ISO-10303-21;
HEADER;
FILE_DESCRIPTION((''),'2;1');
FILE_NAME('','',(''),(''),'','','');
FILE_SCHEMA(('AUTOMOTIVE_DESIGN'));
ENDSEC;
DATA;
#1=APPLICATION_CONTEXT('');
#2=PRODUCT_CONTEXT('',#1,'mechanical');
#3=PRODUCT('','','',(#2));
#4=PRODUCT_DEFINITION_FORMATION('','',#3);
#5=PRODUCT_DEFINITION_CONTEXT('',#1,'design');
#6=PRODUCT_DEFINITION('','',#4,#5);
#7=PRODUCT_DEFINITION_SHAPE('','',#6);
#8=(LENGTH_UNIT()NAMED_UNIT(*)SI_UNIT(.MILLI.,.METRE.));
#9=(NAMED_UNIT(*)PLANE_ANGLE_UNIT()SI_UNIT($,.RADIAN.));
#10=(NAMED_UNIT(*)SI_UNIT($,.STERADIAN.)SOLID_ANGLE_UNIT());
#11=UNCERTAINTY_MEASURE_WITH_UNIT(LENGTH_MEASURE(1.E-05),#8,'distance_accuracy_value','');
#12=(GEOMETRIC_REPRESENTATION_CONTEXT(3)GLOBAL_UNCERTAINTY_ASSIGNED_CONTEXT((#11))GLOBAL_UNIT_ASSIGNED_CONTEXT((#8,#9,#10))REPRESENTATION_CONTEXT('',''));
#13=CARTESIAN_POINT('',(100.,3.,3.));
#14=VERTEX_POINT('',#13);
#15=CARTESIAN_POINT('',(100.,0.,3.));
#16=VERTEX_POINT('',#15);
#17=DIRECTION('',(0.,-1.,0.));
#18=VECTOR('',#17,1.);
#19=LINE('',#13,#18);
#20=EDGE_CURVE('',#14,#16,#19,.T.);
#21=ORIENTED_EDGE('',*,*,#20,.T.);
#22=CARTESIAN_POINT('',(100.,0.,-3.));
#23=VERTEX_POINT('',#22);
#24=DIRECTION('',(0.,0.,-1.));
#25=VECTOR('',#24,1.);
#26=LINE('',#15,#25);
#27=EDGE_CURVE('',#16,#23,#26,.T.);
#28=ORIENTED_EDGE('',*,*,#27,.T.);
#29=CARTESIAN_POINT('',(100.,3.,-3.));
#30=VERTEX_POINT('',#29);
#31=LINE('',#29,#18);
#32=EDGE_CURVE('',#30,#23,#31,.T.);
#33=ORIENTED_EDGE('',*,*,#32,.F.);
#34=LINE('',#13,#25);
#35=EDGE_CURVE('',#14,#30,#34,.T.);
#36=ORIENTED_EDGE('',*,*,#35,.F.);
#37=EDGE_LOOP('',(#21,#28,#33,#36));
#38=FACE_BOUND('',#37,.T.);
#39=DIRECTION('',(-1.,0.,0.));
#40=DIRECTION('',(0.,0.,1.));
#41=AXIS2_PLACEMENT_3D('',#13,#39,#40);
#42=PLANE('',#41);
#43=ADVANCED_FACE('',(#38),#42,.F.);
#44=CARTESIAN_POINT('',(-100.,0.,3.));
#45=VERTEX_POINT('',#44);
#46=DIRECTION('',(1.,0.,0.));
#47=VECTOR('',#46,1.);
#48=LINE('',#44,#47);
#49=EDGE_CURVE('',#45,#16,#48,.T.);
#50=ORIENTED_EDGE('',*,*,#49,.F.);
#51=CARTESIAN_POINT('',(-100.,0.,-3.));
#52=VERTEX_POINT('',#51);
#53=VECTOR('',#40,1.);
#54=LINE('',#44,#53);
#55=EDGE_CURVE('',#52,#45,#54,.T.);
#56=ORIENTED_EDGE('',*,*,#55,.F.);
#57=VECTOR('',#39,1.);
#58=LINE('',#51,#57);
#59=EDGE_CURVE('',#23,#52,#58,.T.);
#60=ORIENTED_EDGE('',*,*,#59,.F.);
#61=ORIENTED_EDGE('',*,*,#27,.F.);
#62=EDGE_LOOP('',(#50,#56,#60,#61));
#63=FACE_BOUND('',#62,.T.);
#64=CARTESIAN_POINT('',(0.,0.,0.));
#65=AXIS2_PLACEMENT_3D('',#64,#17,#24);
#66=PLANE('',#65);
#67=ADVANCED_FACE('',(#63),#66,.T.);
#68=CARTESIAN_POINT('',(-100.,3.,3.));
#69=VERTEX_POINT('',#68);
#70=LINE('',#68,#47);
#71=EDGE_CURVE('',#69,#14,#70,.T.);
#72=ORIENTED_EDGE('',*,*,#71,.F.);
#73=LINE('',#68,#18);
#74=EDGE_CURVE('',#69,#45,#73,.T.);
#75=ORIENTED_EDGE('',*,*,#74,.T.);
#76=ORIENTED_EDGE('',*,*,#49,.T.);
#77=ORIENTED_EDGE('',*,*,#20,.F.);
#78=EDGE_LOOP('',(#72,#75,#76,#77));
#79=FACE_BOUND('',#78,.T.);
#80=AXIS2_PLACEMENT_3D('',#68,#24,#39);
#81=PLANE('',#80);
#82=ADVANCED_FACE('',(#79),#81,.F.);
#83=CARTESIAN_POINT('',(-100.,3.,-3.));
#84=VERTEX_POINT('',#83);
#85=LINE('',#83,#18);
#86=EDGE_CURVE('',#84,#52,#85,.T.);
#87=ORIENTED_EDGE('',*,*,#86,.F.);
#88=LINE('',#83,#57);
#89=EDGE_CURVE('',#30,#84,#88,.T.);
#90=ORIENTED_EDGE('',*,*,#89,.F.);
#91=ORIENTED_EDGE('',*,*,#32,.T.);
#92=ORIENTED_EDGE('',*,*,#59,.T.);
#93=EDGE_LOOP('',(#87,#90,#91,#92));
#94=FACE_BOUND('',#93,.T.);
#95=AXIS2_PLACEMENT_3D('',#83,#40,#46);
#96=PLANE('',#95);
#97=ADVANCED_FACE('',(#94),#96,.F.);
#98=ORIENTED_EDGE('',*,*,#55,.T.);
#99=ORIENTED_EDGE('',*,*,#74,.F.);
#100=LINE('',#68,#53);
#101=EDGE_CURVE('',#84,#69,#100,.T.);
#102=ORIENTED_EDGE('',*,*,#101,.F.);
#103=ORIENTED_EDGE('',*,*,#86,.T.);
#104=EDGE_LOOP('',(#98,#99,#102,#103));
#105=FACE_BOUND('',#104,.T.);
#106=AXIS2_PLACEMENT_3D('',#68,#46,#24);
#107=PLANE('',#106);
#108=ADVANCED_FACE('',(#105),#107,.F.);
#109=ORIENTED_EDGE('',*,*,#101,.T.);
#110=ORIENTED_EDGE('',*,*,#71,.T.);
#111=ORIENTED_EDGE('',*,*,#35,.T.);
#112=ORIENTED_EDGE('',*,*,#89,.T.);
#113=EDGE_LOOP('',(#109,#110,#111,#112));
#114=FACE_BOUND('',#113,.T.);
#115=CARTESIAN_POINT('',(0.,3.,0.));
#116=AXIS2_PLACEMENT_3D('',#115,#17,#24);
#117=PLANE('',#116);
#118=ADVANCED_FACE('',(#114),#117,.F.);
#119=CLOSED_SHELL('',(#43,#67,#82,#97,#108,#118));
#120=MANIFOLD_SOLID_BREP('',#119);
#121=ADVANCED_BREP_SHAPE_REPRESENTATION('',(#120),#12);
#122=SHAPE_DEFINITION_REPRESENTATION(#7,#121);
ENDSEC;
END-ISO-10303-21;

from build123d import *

# Parameters (mm, degrees)
SKETCH_1_W      = 200
SKETCH_1_H      = 6
EXTRUDE_1_DEPTH = 3


with BuildPart() as part:
    # 草图1 → 凸台-拉伸1 (new body)
    with BuildSketch(Plane(origin=(0, 0, 0), x_dir=(1, 0, 0), z_dir=(0, 1, 0))):
        Rectangle(SKETCH_1_W, SKETCH_1_H)
    extrude(amount=EXTRUDE_1_DEPTH)


solid = part.part
